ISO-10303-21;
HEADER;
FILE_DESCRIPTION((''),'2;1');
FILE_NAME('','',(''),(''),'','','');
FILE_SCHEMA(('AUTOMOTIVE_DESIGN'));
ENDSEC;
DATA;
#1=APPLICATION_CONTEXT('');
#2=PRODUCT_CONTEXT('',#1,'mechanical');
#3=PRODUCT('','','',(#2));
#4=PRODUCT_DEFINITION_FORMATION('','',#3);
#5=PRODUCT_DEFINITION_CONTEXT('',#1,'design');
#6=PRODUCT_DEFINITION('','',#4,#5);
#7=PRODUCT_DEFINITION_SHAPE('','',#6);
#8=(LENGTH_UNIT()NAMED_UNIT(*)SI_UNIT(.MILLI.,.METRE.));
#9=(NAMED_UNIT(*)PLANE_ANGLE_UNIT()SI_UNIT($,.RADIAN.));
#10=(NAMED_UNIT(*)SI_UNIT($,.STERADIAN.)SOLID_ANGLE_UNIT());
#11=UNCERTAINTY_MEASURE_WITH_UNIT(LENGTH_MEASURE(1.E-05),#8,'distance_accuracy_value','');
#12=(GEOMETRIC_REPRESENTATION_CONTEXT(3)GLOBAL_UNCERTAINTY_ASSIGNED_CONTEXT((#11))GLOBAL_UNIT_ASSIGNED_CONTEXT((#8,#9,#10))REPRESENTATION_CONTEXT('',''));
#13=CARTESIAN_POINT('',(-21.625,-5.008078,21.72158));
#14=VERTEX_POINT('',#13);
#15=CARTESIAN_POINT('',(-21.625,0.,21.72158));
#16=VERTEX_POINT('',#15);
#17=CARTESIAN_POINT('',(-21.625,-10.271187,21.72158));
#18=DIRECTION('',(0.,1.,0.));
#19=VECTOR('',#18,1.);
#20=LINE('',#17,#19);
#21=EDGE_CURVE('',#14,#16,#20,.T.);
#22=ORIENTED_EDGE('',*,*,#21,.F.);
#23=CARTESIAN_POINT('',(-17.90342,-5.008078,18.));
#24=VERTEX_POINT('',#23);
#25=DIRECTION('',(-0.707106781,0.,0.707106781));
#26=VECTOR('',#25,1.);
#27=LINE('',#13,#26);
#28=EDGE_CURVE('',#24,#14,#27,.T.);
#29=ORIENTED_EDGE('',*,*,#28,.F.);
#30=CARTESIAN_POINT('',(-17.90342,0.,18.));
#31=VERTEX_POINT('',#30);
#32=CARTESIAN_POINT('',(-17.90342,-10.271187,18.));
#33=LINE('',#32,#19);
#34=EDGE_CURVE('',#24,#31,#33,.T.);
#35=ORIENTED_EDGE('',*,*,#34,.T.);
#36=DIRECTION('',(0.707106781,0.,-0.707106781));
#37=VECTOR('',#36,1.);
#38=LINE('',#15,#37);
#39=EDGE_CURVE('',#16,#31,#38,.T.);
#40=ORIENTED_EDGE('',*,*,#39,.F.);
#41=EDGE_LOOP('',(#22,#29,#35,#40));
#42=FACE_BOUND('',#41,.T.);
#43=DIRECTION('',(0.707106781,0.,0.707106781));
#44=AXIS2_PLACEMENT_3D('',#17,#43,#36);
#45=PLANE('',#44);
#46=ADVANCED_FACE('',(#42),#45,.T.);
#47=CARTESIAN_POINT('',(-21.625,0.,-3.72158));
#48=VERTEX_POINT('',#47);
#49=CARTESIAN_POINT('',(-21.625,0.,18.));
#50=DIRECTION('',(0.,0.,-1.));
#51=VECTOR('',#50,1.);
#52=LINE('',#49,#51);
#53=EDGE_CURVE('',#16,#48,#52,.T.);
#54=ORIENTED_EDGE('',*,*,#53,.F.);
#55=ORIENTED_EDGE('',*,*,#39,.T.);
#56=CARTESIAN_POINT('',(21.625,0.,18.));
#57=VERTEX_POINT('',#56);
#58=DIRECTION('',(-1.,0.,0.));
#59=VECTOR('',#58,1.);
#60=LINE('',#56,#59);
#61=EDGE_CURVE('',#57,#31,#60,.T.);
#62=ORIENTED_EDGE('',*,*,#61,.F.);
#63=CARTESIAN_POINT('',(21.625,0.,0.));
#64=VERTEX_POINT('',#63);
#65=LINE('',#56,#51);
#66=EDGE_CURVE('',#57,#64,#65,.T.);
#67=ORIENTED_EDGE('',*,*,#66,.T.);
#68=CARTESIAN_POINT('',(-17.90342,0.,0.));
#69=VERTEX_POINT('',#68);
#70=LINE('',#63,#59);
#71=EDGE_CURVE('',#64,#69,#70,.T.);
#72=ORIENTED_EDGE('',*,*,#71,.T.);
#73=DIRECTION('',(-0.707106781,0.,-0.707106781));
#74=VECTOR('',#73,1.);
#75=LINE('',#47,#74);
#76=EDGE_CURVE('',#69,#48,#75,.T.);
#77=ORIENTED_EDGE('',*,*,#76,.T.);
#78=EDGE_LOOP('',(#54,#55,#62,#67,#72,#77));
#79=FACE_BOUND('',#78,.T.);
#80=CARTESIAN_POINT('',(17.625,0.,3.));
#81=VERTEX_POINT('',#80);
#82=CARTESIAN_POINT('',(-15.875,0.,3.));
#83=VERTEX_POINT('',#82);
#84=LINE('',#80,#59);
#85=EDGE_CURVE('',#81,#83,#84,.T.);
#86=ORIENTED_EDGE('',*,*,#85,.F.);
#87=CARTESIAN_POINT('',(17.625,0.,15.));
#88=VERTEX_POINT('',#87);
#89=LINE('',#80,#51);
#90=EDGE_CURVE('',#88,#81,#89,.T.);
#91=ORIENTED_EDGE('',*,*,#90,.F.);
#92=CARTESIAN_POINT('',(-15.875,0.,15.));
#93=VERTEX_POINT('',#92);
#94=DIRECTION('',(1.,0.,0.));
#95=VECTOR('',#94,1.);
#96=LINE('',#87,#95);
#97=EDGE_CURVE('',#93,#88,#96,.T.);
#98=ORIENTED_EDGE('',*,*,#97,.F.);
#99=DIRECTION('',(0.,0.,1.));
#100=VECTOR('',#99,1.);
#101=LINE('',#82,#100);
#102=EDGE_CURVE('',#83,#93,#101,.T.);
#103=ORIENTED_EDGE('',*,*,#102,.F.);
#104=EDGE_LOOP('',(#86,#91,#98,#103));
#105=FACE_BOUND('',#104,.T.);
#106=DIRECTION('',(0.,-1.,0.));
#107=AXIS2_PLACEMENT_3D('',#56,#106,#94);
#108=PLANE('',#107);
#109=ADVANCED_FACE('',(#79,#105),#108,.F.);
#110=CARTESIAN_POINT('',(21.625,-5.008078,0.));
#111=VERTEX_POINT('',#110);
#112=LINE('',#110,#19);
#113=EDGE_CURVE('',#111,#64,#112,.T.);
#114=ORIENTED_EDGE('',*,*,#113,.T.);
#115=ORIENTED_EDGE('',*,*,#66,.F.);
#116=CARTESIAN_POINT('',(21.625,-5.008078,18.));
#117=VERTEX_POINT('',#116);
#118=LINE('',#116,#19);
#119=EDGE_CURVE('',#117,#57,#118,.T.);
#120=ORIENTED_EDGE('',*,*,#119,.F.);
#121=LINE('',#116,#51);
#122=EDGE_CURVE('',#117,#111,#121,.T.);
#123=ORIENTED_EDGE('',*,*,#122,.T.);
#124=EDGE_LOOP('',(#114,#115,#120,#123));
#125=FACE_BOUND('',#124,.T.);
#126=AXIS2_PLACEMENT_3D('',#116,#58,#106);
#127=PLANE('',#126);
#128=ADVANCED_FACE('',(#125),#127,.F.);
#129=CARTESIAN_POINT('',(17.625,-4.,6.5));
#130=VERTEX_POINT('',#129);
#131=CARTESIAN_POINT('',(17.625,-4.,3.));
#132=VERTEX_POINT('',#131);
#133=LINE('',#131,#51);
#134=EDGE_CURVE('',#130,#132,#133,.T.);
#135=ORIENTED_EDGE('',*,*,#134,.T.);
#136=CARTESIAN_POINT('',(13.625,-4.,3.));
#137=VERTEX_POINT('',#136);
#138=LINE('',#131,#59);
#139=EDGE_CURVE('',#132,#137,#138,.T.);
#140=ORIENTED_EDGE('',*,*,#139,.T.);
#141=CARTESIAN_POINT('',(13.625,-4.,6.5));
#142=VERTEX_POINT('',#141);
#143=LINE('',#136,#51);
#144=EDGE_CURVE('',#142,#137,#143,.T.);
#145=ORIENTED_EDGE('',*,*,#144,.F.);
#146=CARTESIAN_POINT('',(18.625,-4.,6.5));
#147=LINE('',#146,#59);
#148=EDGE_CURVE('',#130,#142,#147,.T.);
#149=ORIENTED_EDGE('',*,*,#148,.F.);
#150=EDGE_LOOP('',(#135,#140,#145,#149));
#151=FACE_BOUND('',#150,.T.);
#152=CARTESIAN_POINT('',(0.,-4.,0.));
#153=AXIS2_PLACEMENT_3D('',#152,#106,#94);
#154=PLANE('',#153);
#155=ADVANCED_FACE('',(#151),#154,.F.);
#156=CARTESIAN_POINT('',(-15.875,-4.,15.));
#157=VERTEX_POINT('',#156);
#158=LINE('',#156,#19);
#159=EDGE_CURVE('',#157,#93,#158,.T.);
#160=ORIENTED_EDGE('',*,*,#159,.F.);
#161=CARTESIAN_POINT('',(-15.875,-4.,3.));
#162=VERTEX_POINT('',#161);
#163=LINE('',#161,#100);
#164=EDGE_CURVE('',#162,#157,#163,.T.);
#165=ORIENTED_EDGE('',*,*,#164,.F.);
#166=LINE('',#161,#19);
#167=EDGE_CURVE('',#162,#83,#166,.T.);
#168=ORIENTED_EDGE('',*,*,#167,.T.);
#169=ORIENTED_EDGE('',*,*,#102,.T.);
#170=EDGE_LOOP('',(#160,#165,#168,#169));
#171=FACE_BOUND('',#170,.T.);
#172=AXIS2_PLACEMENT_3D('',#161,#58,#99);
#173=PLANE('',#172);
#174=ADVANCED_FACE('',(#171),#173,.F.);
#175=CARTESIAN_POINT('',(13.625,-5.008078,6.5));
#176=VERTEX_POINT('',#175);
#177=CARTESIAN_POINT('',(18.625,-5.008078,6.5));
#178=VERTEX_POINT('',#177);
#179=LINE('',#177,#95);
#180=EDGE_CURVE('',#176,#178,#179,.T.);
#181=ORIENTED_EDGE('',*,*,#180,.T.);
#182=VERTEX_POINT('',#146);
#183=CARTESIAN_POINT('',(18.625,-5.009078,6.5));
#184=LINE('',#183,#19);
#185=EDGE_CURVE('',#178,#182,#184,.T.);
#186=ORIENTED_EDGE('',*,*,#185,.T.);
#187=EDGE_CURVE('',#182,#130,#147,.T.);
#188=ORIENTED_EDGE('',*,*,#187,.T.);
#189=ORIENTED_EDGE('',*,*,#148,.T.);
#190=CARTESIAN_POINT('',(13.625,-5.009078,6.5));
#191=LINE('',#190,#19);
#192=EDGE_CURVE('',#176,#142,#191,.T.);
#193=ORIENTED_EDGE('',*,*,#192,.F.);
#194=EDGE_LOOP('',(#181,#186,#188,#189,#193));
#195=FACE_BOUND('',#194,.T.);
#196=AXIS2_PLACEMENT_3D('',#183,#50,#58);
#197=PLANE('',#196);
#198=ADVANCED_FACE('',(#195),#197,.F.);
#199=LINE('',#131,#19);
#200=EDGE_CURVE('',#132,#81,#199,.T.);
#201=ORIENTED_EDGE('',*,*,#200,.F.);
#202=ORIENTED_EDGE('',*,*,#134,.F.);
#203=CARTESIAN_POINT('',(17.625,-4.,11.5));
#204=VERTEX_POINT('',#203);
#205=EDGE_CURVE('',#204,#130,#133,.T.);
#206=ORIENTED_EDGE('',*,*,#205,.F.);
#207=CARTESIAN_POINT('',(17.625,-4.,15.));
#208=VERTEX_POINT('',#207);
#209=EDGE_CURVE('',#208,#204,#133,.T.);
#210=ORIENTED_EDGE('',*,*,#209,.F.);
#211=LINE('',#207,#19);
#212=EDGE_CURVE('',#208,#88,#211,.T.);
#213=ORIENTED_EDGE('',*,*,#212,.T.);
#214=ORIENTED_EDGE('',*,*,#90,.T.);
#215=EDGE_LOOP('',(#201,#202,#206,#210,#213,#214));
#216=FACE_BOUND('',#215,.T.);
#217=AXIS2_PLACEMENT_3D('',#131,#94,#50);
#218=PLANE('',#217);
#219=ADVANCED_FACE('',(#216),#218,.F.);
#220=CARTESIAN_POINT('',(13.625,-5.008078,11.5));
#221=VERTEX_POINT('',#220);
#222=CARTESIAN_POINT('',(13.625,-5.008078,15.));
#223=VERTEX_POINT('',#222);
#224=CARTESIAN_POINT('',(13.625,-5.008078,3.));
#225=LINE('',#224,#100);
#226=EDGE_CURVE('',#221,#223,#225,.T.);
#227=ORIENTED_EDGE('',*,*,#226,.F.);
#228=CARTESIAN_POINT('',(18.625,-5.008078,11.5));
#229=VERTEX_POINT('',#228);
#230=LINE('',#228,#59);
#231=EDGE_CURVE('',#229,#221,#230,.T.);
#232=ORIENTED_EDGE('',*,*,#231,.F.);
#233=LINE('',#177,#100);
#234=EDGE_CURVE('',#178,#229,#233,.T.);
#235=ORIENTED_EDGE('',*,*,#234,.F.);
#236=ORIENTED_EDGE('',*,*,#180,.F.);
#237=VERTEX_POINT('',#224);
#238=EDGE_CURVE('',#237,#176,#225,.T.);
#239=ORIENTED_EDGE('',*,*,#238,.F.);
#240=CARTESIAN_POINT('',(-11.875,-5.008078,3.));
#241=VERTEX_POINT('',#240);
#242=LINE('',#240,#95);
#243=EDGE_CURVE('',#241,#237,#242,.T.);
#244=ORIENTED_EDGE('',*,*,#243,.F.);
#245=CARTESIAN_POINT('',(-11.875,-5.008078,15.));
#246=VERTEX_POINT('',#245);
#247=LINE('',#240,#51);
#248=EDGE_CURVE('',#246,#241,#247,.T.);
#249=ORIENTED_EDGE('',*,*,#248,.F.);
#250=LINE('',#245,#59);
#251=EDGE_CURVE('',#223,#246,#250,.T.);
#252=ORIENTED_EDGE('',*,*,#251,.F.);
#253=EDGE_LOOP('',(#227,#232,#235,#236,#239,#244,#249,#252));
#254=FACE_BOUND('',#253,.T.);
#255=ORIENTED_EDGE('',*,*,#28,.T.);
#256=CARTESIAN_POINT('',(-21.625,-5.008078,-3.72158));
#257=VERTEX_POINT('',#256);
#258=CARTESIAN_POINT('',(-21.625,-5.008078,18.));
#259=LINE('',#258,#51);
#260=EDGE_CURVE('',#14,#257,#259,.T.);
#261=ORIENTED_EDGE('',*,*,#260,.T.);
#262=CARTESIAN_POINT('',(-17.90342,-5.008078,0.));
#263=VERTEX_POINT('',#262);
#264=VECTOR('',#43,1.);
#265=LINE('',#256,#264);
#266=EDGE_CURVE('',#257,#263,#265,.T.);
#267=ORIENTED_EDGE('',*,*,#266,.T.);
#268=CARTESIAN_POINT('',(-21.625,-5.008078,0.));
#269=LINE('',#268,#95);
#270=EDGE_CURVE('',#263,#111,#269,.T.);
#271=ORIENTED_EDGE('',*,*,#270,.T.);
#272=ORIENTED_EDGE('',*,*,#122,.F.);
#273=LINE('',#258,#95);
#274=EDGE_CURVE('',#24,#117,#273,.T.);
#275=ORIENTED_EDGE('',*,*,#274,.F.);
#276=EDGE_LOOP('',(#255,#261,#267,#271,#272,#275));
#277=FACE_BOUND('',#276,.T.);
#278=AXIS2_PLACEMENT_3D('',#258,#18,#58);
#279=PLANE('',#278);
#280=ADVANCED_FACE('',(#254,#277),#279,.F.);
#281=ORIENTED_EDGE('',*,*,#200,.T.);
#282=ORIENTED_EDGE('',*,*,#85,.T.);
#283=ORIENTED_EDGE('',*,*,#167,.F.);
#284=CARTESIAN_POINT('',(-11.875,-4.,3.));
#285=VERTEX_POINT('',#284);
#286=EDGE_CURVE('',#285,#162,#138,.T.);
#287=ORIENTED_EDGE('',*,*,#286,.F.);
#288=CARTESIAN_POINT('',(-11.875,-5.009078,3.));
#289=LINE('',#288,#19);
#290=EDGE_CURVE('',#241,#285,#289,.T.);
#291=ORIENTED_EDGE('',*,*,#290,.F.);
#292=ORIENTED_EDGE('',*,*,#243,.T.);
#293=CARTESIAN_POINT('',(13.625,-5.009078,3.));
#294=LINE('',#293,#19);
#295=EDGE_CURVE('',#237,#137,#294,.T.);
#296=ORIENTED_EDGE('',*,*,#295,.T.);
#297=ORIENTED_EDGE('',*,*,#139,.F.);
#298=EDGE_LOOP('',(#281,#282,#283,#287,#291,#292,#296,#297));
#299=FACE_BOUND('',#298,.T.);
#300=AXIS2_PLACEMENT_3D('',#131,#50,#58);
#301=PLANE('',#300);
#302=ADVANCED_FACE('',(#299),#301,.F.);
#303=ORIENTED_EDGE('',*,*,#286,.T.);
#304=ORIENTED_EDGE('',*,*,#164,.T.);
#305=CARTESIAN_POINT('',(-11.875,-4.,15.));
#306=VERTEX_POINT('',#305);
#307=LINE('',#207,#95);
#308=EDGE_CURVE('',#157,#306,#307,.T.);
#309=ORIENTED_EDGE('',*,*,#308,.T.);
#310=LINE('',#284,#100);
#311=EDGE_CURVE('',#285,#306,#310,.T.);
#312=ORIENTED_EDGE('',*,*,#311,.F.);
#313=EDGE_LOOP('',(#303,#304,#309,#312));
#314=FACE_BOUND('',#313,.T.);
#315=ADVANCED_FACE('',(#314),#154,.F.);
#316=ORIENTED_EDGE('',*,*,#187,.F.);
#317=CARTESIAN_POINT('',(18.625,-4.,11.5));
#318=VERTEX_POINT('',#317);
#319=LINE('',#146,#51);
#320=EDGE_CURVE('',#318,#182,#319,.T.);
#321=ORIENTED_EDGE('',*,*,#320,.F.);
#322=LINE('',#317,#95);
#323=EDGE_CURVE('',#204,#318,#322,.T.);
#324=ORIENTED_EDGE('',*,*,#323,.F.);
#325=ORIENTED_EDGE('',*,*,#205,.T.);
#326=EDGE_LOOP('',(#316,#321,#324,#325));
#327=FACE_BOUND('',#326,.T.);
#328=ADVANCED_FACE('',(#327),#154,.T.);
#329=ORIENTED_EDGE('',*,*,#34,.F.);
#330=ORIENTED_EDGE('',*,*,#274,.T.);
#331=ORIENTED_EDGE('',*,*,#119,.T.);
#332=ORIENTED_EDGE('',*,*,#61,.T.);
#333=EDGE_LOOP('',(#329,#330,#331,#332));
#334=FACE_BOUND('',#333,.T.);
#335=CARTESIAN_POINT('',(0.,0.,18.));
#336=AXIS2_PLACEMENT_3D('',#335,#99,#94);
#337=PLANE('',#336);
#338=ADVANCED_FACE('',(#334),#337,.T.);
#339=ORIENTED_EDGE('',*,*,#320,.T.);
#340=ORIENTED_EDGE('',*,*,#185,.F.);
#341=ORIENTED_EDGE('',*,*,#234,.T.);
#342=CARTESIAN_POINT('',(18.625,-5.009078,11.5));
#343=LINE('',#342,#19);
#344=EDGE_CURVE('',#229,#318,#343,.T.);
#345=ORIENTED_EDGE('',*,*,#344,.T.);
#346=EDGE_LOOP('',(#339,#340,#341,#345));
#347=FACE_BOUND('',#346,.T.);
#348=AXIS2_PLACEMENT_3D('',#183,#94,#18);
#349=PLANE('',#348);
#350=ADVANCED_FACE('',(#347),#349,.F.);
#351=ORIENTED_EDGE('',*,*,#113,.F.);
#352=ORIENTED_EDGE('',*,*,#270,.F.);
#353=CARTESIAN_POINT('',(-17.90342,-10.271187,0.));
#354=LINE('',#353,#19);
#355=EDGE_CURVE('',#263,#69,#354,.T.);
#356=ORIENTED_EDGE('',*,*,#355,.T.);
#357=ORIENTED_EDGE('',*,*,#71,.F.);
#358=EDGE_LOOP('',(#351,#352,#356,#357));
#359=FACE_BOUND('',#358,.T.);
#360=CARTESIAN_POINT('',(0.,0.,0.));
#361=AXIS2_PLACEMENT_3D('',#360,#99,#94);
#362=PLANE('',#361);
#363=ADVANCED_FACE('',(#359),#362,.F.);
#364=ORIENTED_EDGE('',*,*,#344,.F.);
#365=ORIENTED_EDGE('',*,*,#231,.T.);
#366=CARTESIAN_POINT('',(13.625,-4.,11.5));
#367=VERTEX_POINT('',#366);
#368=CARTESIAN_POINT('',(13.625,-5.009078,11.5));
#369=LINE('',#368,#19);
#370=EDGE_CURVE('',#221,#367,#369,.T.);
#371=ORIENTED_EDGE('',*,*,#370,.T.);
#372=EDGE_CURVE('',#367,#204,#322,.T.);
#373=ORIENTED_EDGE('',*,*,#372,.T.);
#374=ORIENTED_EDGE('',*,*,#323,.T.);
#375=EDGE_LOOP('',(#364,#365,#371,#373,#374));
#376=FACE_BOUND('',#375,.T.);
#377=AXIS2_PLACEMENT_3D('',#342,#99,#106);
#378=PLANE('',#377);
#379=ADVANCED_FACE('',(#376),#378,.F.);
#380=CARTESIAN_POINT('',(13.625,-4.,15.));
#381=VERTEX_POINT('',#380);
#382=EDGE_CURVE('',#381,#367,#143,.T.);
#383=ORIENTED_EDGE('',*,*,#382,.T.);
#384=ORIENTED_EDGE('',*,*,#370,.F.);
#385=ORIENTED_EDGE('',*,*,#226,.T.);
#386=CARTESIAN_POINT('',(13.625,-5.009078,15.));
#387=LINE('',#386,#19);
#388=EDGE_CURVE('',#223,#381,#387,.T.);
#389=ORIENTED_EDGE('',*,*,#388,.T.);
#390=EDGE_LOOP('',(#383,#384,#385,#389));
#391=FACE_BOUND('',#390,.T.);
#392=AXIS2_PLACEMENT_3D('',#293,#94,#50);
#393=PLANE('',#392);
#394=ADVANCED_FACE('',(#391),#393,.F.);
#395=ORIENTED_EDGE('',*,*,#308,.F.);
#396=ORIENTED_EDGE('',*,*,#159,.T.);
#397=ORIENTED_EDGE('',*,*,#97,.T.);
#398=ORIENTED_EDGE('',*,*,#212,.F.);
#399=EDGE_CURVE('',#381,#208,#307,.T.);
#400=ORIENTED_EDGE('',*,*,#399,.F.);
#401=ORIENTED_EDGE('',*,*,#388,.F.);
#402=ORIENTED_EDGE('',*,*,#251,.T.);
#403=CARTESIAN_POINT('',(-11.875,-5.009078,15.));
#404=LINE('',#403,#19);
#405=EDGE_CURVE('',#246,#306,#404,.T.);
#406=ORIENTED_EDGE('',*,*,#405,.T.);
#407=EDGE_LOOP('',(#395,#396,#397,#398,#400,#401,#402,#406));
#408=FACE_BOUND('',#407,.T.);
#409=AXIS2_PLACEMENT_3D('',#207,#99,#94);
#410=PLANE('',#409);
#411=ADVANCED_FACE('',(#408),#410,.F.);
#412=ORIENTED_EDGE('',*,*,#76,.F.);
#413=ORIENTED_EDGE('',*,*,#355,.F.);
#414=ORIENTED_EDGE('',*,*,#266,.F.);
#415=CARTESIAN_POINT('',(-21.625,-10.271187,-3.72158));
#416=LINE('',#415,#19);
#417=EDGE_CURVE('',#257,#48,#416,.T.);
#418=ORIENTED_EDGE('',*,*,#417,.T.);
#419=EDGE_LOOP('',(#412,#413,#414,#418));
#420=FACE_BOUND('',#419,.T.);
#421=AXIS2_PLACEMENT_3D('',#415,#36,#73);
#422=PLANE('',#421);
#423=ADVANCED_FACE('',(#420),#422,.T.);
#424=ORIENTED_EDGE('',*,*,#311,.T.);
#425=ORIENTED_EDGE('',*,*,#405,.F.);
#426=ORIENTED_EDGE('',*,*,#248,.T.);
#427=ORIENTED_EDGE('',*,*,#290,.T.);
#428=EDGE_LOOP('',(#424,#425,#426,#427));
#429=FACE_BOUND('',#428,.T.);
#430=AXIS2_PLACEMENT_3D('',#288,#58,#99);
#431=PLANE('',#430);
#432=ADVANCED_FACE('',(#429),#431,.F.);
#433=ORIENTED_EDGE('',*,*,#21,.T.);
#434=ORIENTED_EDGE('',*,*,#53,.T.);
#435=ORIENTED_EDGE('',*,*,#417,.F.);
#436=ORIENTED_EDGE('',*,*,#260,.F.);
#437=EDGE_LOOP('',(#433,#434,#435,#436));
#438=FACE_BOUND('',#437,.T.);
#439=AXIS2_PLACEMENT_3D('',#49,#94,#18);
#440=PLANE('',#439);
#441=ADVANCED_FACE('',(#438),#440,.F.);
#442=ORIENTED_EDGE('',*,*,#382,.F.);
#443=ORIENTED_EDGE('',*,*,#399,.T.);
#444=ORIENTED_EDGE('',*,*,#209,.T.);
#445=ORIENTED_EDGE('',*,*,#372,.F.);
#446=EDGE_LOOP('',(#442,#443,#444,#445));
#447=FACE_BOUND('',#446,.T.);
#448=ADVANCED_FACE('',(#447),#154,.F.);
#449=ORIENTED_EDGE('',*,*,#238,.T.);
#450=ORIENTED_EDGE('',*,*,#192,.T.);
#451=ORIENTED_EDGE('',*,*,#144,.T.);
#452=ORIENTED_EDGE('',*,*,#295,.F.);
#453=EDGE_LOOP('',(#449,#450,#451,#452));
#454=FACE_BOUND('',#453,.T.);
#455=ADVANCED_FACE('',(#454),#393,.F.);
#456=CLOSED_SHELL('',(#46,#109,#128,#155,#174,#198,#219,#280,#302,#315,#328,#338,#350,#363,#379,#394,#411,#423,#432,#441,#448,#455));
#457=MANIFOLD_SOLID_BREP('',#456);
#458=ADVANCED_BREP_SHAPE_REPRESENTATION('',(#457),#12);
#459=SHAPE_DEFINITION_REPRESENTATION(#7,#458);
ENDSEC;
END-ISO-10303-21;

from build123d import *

# Parameters (mm, degrees)
SKETCH1_W           = 43.25
SKETCH1_H           = 5.00807777
BOSS_EXTRUDE1_DEPTH = 18
SKETCH2_W           = 33.5
SKETCH2_H           = 12
CUT_EXTRUDE1_DEPTH  = 4
CUT_EXTRUDE2_REACH  = 30.419
SKETCH3_W           = 25.5
SKETCH3_H           = 12
CUT_EXTRUDE3_REACH  = 30.419
SKETCH4_W           = 5
SKETCH4_H           = 5
BOSS_EXTRUDE2_DEPTH = 5.00807777


with BuildPart() as part:
    # Sketch1 → Boss-Extrude1 (new body)
    with BuildSketch(Plane.XY):
        with Locations((0, -2.504038885)):
            Rectangle(SKETCH1_W, SKETCH1_H)
    extrude(amount=BOSS_EXTRUDE1_DEPTH)

    # Sketch2 → Cut-Extrude1 (cut)
    with BuildSketch(Plane(origin=(0, 0, 0), x_dir=(1, 0, 0), z_dir=(0, 1, 0))):
        with Locations((0.875, -9)):
            Rectangle(SKETCH2_W, SKETCH2_H)
    extrude(amount=-CUT_EXTRUDE1_DEPTH, mode=Mode.SUBTRACT)

    # Sketch3 → Cut-Extrude2 (cut, up to next)
    with BuildSketch(Plane(origin=(0, -4, 0), x_dir=(1, 0, 0), z_dir=(0, 1, 0)), mode=Mode.PRIVATE) as cut_extrude2_sk1:
        with Locations((0.875, -9)):
            Rectangle(SKETCH3_W, SKETCH3_H)
    cut_extrude2_tool1 = extrude(cut_extrude2_sk1.sketch, amount=-CUT_EXTRUDE2_REACH, mode=Mode.PRIVATE) & part.part
    add(cut_extrude2_tool1.solids().sort_by_distance((0.875, -4, 9))[0], mode=Mode.SUBTRACT)

    # Sketch4 → Cut-Extrude3 (cut, up to next)
    with BuildSketch(Plane(origin=(0, -4, 0), x_dir=(1, 0, 0), z_dir=(0, 1, 0)), mode=Mode.PRIVATE) as cut_extrude3_sk1:
        with Locations((16.125, -9)):
            Rectangle(SKETCH4_W, SKETCH4_H)
    cut_extrude3_tool1 = extrude(cut_extrude3_sk1.sketch, amount=-CUT_EXTRUDE3_REACH, mode=Mode.PRIVATE) & part.part
    add(cut_extrude3_tool1.solids().sort_by_distance((16.125, -4, 9))[0], mode=Mode.SUBTRACT)

    # Sketch5 → Boss-Extrude2 (add)
    with BuildSketch(Plane(origin=(0, 0, 0), x_dir=(1, 0, 0), z_dir=(0, 1, 0))):
        Polygon((-21.625, 0), (-21.625, 3.721580372), (-17.903419628, 0), align=None)
        Polygon((-17.903419628, -18), (-21.625, -18), (-21.625, -21.721580372), align=None)
    extrude(amount=-BOSS_EXTRUDE2_DEPTH)


solid = part.part
